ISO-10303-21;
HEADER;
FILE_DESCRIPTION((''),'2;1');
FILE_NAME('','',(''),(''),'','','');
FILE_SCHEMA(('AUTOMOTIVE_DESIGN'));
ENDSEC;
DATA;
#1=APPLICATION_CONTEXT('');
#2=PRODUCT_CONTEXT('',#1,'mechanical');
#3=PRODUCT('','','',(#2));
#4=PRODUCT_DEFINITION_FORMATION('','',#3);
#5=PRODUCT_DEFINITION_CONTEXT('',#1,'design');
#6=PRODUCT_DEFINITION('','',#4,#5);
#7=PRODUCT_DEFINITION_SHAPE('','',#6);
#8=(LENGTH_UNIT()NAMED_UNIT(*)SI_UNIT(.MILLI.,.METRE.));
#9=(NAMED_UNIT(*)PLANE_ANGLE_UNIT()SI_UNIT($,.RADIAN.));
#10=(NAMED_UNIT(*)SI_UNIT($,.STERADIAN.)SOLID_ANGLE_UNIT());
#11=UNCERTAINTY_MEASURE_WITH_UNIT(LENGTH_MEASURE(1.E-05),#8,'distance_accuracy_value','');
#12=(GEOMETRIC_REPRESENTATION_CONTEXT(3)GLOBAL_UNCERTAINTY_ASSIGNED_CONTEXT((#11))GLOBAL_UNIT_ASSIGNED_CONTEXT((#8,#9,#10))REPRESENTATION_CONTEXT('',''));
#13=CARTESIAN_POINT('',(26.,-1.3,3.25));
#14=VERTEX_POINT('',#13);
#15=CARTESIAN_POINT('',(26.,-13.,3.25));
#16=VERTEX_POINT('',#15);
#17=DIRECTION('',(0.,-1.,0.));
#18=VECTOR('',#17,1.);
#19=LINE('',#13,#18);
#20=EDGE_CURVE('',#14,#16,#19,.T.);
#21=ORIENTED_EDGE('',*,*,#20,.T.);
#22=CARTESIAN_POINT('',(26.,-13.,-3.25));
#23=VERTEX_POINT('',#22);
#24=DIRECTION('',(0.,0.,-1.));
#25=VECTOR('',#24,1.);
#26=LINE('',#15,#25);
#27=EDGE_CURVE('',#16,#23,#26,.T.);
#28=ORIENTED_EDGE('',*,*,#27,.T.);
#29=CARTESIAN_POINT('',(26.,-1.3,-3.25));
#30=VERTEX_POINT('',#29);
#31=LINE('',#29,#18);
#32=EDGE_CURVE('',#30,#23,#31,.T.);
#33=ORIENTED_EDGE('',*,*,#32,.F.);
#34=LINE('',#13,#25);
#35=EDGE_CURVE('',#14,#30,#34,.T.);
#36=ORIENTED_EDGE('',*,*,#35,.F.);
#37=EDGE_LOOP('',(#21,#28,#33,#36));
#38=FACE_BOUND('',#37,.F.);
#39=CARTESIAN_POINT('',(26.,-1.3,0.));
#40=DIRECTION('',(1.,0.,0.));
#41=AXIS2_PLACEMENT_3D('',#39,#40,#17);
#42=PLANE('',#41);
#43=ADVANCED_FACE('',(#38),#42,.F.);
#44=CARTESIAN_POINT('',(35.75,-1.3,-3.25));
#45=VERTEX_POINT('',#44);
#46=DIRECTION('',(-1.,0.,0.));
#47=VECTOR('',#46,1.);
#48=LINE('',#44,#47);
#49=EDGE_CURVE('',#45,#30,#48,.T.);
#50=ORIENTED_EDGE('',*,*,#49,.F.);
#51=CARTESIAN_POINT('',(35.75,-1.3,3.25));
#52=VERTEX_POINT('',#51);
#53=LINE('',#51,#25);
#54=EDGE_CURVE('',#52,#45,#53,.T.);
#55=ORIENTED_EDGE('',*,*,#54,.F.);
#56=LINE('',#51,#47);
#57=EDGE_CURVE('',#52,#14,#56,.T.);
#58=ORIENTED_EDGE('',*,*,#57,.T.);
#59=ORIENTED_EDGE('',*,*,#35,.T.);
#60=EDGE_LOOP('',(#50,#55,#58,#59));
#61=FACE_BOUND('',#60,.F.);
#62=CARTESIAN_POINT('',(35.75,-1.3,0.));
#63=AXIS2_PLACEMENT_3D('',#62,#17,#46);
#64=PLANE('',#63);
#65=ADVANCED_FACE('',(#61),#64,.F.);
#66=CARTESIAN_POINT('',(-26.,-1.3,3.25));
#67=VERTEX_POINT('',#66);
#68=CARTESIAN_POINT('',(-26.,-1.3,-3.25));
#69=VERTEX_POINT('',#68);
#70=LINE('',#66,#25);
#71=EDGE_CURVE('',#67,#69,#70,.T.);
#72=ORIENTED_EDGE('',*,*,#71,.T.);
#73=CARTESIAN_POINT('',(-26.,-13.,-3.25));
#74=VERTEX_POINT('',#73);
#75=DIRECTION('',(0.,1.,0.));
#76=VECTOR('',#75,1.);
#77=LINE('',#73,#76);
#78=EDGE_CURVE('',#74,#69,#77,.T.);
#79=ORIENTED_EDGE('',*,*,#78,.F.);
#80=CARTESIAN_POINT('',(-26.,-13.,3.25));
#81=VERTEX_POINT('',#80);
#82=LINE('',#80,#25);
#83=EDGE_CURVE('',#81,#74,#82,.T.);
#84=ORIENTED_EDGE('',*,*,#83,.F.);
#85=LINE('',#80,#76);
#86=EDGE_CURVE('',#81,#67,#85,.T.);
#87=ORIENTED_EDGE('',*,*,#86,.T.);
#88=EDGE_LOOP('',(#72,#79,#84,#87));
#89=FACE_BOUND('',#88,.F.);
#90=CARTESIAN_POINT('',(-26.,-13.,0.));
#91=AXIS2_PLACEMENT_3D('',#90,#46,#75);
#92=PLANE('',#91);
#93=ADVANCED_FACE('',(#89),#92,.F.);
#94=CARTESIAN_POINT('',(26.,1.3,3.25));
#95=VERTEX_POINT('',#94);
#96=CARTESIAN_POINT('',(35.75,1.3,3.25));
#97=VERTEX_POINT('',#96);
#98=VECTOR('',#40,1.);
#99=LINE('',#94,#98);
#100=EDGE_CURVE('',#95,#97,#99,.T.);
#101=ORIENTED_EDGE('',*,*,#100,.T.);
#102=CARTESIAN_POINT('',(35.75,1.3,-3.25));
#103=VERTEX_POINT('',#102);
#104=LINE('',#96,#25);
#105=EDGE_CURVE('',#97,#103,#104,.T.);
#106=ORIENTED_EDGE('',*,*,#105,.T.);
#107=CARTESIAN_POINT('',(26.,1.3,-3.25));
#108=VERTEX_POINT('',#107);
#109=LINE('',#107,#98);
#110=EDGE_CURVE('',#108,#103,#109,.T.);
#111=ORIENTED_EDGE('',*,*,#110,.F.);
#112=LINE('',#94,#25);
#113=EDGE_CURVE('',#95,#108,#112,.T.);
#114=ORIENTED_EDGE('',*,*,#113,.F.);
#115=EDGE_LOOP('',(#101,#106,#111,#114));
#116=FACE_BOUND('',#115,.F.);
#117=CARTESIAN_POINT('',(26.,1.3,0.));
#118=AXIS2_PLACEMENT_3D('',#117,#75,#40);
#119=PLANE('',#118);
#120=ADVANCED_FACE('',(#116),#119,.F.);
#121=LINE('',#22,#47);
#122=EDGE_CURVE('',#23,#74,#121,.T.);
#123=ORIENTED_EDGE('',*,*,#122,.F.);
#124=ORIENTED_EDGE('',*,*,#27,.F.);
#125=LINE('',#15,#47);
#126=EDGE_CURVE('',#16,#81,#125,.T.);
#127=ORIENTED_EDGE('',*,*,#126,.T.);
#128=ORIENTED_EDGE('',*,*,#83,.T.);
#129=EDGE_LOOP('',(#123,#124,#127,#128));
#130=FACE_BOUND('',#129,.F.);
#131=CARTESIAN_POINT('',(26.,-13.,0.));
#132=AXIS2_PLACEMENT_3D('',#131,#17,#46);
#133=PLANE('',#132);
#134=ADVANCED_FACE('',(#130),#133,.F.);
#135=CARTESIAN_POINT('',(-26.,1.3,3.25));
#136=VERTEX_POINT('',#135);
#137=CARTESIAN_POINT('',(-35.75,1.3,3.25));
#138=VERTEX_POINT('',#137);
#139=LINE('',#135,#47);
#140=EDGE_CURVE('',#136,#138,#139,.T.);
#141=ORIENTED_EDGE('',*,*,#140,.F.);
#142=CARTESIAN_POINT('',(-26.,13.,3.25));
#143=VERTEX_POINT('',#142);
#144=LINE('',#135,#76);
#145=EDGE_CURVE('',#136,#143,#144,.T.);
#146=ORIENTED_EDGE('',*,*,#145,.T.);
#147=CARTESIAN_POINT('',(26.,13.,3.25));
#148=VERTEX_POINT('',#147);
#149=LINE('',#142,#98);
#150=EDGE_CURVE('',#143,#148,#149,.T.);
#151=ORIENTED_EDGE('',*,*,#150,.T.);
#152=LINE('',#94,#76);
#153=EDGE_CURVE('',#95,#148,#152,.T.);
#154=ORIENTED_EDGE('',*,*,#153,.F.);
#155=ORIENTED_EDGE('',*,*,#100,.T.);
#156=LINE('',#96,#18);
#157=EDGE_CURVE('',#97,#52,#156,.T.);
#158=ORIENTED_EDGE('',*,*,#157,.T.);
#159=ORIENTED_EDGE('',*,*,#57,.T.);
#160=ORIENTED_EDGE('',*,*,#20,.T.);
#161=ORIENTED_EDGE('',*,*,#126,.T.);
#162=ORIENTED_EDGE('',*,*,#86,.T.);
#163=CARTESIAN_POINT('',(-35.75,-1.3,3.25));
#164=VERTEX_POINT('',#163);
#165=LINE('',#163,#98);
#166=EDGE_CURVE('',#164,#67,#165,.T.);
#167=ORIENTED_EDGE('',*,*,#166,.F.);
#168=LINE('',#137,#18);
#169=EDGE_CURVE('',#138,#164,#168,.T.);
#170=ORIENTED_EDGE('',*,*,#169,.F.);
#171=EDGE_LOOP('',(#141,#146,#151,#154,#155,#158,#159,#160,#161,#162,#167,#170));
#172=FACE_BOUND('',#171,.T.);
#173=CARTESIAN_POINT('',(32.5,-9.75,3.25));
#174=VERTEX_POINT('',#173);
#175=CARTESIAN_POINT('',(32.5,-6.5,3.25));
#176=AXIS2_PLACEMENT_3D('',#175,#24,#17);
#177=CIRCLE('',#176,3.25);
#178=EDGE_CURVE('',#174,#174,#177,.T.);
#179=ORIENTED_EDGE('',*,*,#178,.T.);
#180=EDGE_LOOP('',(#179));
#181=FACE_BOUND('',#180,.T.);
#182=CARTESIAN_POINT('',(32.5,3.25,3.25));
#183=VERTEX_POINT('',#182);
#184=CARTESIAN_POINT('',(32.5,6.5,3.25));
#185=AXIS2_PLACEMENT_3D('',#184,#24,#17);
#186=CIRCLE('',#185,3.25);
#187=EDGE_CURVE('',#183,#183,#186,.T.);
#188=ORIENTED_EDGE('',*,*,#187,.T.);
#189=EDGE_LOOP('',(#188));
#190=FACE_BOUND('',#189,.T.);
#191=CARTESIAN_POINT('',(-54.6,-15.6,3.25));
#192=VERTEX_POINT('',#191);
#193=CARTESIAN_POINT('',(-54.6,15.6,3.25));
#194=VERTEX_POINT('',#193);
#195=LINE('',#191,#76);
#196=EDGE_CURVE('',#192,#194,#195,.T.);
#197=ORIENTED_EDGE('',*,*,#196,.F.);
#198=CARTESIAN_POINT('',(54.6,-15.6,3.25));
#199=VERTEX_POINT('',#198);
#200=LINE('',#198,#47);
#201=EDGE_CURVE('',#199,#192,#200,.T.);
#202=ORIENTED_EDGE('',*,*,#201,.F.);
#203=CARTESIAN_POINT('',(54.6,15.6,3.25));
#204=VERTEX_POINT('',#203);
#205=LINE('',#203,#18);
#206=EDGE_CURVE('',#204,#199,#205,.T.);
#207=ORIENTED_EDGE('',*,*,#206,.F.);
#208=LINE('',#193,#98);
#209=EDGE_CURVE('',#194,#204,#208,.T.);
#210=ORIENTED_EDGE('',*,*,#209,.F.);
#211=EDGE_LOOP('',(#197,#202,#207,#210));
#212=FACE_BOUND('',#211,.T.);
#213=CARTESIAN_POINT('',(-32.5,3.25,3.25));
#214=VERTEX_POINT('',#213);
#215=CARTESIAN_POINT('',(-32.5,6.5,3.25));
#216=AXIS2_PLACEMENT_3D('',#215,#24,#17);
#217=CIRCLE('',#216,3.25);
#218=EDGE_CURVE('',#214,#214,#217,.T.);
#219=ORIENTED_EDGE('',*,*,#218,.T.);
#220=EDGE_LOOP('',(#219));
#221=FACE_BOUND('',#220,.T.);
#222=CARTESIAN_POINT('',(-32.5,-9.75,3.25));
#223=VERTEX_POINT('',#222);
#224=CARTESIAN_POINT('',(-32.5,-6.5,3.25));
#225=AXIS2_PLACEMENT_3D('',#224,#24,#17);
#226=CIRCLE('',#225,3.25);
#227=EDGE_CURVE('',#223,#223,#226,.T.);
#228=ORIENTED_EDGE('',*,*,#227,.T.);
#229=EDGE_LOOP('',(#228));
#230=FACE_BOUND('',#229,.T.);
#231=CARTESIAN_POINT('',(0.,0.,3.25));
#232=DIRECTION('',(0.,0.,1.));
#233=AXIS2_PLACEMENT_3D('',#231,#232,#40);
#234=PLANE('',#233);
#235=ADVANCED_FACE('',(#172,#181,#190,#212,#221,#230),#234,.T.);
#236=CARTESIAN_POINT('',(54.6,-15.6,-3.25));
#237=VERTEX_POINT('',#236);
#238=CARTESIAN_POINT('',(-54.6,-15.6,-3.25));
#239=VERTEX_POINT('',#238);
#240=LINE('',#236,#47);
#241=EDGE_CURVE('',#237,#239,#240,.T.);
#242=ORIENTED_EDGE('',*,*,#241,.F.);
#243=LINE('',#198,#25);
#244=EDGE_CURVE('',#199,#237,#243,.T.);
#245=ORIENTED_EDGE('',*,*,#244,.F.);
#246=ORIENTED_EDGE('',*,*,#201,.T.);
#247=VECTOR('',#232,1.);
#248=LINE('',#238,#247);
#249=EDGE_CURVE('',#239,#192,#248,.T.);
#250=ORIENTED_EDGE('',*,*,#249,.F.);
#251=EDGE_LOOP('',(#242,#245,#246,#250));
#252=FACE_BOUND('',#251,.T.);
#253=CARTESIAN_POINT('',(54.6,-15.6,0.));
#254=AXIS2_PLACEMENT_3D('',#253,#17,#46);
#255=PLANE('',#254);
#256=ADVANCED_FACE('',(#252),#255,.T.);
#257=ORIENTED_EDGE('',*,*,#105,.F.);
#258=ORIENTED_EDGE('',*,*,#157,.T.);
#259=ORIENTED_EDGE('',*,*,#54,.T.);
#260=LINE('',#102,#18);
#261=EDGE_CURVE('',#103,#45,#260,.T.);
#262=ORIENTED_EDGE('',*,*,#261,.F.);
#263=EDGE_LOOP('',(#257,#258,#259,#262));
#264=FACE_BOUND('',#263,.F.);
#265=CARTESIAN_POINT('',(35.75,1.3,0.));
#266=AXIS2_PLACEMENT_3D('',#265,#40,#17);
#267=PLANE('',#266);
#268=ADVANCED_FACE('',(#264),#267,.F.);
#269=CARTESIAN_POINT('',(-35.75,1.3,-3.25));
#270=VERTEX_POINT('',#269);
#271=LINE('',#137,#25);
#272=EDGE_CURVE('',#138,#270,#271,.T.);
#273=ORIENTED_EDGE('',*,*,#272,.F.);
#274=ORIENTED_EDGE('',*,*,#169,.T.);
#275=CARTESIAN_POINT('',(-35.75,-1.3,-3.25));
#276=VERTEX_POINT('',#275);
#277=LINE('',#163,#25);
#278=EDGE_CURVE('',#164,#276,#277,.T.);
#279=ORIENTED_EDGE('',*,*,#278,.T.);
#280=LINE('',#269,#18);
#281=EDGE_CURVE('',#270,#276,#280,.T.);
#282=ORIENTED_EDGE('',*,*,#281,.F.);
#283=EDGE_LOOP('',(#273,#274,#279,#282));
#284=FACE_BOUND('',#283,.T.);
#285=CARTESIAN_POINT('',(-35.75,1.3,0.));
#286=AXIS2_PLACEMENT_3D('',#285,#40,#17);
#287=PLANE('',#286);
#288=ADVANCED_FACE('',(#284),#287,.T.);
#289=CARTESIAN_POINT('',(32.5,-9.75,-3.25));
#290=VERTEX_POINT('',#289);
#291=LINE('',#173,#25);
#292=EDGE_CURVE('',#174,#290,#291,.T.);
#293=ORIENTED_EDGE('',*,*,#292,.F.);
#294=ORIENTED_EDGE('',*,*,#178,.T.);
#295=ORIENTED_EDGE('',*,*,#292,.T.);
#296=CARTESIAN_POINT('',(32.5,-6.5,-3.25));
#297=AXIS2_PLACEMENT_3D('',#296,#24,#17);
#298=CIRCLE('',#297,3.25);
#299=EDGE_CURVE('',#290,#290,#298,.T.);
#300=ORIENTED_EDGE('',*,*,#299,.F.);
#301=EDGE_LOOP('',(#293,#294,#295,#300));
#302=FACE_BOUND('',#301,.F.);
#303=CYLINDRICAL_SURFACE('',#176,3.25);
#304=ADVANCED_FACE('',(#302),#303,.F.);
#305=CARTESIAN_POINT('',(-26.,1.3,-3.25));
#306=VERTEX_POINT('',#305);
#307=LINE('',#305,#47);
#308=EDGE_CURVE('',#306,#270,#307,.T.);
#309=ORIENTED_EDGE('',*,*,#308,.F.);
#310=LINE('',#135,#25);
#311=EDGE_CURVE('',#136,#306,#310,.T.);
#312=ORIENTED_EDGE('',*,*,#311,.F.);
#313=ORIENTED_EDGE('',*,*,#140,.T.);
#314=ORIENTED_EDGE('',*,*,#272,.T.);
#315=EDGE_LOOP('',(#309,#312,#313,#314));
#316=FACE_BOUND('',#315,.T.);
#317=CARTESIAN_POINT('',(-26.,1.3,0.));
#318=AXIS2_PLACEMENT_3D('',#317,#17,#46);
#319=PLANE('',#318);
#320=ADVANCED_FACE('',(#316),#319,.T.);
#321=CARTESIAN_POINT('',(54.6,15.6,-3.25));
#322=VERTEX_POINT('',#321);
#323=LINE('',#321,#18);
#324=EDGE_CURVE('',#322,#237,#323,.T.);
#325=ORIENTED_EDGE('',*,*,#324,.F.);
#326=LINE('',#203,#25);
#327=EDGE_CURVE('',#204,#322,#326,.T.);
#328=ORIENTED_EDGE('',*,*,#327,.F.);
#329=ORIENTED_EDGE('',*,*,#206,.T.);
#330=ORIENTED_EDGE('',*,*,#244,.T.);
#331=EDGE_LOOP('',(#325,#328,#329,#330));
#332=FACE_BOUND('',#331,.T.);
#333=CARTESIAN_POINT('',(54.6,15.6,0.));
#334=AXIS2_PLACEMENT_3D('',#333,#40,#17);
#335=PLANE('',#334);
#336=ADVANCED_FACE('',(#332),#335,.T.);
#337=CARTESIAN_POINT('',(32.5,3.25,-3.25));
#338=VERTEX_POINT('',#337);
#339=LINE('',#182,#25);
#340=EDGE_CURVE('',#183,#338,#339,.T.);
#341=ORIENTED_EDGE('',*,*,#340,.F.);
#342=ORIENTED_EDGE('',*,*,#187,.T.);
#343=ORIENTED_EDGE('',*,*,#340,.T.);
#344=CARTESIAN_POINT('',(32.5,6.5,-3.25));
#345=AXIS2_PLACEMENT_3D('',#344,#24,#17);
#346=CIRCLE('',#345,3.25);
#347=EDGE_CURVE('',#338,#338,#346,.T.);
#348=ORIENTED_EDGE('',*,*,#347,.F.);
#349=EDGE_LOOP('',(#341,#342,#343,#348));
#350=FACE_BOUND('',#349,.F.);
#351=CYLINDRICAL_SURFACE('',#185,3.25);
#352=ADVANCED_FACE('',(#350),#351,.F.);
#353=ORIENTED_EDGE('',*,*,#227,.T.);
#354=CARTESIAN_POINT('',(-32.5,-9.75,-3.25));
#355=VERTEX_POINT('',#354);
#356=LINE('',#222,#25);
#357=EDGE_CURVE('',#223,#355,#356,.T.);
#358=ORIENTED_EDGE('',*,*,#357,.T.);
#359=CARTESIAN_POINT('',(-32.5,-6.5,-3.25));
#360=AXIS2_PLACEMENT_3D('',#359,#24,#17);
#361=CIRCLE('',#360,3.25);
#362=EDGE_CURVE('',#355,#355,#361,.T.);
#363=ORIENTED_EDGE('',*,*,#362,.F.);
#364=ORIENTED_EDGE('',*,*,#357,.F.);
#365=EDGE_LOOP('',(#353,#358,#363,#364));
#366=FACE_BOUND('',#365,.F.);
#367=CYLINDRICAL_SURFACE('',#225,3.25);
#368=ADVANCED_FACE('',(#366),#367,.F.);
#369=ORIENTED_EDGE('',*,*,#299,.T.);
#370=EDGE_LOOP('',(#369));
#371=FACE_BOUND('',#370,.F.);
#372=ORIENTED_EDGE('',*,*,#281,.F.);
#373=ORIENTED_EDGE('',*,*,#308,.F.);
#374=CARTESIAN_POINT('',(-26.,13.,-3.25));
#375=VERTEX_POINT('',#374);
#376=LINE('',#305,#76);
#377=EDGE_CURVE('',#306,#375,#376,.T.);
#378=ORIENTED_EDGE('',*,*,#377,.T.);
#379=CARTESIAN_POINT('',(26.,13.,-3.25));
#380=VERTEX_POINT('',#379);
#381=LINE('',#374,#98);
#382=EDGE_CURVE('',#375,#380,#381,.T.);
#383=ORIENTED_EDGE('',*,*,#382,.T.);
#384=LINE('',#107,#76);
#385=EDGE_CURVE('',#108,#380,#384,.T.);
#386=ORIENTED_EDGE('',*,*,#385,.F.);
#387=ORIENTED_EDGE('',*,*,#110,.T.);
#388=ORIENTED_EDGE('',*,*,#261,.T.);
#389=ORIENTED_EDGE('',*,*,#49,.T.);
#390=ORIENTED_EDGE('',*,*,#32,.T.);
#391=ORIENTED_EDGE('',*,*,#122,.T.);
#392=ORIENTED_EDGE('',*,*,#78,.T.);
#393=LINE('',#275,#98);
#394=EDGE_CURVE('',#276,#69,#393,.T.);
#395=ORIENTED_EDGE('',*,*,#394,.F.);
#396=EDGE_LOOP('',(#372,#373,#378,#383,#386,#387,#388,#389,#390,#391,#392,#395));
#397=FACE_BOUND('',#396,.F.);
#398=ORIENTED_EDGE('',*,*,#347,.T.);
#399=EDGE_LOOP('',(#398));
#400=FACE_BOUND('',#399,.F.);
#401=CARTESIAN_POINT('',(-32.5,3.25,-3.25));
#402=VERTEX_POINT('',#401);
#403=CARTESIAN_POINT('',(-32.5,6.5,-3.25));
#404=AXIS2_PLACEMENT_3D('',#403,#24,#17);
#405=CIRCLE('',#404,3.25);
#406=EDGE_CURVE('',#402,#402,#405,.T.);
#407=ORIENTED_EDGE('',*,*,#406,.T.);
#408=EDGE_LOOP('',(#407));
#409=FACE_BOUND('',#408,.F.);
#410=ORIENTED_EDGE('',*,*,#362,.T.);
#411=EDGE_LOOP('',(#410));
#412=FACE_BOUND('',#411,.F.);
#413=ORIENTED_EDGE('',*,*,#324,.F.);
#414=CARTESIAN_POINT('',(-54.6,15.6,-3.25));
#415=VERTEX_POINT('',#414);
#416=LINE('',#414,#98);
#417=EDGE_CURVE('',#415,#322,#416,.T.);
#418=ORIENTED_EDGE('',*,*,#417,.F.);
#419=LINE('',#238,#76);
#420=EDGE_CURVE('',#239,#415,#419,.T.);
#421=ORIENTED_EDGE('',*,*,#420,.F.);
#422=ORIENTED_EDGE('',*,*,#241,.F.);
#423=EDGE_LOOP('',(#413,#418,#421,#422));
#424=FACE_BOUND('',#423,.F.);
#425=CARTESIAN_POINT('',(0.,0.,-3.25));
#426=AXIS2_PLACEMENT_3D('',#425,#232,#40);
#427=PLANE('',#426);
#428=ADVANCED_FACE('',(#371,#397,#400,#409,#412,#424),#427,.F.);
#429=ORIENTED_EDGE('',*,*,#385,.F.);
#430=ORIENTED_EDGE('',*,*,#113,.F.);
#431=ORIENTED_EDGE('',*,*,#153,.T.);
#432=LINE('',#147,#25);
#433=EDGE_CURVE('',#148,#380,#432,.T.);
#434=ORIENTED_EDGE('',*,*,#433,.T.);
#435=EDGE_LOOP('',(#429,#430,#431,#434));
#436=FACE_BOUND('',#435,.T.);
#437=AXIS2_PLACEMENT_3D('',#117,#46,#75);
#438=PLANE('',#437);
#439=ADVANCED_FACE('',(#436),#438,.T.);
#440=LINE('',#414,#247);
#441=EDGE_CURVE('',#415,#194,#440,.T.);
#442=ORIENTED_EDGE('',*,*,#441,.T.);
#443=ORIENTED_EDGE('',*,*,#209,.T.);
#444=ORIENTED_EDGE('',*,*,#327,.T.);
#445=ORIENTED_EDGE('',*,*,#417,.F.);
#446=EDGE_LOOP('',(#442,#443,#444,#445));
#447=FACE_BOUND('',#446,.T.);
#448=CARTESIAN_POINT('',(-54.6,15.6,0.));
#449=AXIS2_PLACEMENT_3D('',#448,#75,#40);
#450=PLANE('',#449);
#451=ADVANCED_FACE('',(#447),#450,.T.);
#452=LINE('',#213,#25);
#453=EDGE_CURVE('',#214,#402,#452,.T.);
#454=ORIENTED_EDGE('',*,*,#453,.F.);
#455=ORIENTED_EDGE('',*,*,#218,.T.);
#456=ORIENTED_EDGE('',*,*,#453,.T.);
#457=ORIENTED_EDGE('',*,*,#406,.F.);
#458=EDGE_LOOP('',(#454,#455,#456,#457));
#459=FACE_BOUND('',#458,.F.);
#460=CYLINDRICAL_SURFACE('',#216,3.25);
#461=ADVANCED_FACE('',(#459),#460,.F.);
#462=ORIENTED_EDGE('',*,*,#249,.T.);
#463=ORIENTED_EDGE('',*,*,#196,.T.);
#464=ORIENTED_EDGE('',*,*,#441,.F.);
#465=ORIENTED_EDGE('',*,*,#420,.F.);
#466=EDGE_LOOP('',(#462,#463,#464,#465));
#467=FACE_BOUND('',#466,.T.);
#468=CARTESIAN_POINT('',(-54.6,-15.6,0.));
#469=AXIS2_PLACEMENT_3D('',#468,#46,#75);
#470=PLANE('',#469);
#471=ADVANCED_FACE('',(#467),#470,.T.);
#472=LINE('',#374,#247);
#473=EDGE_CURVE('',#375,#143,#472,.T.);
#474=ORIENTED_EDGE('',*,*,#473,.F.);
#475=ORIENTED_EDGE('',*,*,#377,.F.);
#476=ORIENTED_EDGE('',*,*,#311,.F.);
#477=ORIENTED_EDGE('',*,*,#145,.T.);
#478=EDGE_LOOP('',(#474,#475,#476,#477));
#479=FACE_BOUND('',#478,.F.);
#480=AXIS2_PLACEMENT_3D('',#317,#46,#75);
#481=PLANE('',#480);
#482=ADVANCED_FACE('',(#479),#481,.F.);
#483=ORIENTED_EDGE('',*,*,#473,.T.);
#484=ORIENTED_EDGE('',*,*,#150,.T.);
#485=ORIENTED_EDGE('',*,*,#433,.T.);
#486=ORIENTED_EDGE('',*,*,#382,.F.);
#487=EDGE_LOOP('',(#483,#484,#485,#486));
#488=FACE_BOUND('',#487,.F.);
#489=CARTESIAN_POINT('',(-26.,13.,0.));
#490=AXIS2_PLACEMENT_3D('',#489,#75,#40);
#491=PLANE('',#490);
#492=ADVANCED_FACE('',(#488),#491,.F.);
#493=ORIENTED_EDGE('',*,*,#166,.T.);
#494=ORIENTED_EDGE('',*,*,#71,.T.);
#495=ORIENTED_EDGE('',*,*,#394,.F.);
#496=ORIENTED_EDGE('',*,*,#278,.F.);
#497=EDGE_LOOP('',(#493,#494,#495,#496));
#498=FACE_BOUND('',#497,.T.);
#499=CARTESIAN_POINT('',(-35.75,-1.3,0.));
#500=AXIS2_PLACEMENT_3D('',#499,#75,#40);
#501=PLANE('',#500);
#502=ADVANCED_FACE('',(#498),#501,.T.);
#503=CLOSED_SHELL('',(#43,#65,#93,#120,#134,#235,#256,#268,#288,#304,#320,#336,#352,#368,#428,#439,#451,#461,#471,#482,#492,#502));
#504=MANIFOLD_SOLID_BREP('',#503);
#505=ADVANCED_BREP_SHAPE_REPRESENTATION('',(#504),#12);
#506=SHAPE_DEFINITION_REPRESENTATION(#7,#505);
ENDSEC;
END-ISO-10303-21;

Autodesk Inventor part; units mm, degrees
ref_plane "YZ Plane" through (0, 0, 0) normal (1, 0, 0) x (0, 1, 0)
ref_plane "XZ Plane" through (0, 0, 0) normal (0, 1, 0) x (-1, 0, 0)
ref_plane "XY Plane" through (0, 0, 0) normal (0, 0, 1) x (1, 0, 0)
sketch "Sketch1" plane through (0, 0, 0) normal (0, 0, 1) x (1, 0, 0)
  line L0 (-26, 13) -> (26, 13)
  line L1 (26, -13) -> (-26, -13)
  line L2 (-26, 13) -> (26, -13) construction
  line L3 (26, 13) -> (-26, -13) construction
  line L4 (-54.6, 15.6) -> (54.6, 15.6)
  line L5 (54.6, 15.6) -> (54.6, -15.6)
  line L6 (54.6, -15.6) -> (-54.6, -15.6)
  line L7 (-54.6, -15.6) -> (-54.6, 15.6)
  line L8 (-54.6, 15.6) -> (54.6, -15.6) construction
  line L9 (54.6, 15.6) -> (-54.6, -15.6) construction
  line L10 (-26, 1.3) -> (-35.75, 1.3)
  line L11 (-35.75, 1.3) -> (-35.75, -1.3)
  line L12 (-35.75, -1.3) -> (-26, -1.3)
  line L13 (26, 1.3) -> (35.75, 1.3)
  line L14 (35.75, 1.3) -> (35.75, -1.3)
  line L15 (35.75, -1.3) -> (26, -1.3)
  line L16 (-26, 1.3) -> (-26, 13)
  line L17 (-26, -13) -> (-26, -1.3)
  line L18 (26, -1.3) -> (26, -13)
  line L19 (26, 1.3) -> (26, 13)
  point P0 (0, 0)
  point P1 (-35.75, 0)
  point P2 (0, 0)
  dimension "CInt" = 52
  dimension "LInt" = 26
  dimension "Cext" = 109.2
  dimension "Lext" = 31.2
  dimension "Cpeq" = 9.75
  dimension "Lpeq" = 2.6
  dimension "d10" = 9.75
  dimension "d11" = 2.6
extrude "Extrusion1" add sketch "Sketch1" along normal mid plane 6.5
sketch "Sketch8" plane through (0, 0, 3.25) normal (0, 0, 1) x (1, 0, 0)
  point P0 (0, 0)
hole "Hole1" at (-32.5, 6.5, 3.25) direction (0, 0, -1) diameter 6.5 end through all
pattern_linear "Rectangular Pattern1" count 2 spacing 13 along (0, -1, 0) of "Hole1"
hole "Hole2" at (32.5, 6.5, 3.25) direction (0, 0, -1) diameter 6.5 end through all
pattern_linear "Rectangular Pattern2" count 2 spacing 13 along (0, -1, 0) of "Hole2"
properties part number "Cou-2"
